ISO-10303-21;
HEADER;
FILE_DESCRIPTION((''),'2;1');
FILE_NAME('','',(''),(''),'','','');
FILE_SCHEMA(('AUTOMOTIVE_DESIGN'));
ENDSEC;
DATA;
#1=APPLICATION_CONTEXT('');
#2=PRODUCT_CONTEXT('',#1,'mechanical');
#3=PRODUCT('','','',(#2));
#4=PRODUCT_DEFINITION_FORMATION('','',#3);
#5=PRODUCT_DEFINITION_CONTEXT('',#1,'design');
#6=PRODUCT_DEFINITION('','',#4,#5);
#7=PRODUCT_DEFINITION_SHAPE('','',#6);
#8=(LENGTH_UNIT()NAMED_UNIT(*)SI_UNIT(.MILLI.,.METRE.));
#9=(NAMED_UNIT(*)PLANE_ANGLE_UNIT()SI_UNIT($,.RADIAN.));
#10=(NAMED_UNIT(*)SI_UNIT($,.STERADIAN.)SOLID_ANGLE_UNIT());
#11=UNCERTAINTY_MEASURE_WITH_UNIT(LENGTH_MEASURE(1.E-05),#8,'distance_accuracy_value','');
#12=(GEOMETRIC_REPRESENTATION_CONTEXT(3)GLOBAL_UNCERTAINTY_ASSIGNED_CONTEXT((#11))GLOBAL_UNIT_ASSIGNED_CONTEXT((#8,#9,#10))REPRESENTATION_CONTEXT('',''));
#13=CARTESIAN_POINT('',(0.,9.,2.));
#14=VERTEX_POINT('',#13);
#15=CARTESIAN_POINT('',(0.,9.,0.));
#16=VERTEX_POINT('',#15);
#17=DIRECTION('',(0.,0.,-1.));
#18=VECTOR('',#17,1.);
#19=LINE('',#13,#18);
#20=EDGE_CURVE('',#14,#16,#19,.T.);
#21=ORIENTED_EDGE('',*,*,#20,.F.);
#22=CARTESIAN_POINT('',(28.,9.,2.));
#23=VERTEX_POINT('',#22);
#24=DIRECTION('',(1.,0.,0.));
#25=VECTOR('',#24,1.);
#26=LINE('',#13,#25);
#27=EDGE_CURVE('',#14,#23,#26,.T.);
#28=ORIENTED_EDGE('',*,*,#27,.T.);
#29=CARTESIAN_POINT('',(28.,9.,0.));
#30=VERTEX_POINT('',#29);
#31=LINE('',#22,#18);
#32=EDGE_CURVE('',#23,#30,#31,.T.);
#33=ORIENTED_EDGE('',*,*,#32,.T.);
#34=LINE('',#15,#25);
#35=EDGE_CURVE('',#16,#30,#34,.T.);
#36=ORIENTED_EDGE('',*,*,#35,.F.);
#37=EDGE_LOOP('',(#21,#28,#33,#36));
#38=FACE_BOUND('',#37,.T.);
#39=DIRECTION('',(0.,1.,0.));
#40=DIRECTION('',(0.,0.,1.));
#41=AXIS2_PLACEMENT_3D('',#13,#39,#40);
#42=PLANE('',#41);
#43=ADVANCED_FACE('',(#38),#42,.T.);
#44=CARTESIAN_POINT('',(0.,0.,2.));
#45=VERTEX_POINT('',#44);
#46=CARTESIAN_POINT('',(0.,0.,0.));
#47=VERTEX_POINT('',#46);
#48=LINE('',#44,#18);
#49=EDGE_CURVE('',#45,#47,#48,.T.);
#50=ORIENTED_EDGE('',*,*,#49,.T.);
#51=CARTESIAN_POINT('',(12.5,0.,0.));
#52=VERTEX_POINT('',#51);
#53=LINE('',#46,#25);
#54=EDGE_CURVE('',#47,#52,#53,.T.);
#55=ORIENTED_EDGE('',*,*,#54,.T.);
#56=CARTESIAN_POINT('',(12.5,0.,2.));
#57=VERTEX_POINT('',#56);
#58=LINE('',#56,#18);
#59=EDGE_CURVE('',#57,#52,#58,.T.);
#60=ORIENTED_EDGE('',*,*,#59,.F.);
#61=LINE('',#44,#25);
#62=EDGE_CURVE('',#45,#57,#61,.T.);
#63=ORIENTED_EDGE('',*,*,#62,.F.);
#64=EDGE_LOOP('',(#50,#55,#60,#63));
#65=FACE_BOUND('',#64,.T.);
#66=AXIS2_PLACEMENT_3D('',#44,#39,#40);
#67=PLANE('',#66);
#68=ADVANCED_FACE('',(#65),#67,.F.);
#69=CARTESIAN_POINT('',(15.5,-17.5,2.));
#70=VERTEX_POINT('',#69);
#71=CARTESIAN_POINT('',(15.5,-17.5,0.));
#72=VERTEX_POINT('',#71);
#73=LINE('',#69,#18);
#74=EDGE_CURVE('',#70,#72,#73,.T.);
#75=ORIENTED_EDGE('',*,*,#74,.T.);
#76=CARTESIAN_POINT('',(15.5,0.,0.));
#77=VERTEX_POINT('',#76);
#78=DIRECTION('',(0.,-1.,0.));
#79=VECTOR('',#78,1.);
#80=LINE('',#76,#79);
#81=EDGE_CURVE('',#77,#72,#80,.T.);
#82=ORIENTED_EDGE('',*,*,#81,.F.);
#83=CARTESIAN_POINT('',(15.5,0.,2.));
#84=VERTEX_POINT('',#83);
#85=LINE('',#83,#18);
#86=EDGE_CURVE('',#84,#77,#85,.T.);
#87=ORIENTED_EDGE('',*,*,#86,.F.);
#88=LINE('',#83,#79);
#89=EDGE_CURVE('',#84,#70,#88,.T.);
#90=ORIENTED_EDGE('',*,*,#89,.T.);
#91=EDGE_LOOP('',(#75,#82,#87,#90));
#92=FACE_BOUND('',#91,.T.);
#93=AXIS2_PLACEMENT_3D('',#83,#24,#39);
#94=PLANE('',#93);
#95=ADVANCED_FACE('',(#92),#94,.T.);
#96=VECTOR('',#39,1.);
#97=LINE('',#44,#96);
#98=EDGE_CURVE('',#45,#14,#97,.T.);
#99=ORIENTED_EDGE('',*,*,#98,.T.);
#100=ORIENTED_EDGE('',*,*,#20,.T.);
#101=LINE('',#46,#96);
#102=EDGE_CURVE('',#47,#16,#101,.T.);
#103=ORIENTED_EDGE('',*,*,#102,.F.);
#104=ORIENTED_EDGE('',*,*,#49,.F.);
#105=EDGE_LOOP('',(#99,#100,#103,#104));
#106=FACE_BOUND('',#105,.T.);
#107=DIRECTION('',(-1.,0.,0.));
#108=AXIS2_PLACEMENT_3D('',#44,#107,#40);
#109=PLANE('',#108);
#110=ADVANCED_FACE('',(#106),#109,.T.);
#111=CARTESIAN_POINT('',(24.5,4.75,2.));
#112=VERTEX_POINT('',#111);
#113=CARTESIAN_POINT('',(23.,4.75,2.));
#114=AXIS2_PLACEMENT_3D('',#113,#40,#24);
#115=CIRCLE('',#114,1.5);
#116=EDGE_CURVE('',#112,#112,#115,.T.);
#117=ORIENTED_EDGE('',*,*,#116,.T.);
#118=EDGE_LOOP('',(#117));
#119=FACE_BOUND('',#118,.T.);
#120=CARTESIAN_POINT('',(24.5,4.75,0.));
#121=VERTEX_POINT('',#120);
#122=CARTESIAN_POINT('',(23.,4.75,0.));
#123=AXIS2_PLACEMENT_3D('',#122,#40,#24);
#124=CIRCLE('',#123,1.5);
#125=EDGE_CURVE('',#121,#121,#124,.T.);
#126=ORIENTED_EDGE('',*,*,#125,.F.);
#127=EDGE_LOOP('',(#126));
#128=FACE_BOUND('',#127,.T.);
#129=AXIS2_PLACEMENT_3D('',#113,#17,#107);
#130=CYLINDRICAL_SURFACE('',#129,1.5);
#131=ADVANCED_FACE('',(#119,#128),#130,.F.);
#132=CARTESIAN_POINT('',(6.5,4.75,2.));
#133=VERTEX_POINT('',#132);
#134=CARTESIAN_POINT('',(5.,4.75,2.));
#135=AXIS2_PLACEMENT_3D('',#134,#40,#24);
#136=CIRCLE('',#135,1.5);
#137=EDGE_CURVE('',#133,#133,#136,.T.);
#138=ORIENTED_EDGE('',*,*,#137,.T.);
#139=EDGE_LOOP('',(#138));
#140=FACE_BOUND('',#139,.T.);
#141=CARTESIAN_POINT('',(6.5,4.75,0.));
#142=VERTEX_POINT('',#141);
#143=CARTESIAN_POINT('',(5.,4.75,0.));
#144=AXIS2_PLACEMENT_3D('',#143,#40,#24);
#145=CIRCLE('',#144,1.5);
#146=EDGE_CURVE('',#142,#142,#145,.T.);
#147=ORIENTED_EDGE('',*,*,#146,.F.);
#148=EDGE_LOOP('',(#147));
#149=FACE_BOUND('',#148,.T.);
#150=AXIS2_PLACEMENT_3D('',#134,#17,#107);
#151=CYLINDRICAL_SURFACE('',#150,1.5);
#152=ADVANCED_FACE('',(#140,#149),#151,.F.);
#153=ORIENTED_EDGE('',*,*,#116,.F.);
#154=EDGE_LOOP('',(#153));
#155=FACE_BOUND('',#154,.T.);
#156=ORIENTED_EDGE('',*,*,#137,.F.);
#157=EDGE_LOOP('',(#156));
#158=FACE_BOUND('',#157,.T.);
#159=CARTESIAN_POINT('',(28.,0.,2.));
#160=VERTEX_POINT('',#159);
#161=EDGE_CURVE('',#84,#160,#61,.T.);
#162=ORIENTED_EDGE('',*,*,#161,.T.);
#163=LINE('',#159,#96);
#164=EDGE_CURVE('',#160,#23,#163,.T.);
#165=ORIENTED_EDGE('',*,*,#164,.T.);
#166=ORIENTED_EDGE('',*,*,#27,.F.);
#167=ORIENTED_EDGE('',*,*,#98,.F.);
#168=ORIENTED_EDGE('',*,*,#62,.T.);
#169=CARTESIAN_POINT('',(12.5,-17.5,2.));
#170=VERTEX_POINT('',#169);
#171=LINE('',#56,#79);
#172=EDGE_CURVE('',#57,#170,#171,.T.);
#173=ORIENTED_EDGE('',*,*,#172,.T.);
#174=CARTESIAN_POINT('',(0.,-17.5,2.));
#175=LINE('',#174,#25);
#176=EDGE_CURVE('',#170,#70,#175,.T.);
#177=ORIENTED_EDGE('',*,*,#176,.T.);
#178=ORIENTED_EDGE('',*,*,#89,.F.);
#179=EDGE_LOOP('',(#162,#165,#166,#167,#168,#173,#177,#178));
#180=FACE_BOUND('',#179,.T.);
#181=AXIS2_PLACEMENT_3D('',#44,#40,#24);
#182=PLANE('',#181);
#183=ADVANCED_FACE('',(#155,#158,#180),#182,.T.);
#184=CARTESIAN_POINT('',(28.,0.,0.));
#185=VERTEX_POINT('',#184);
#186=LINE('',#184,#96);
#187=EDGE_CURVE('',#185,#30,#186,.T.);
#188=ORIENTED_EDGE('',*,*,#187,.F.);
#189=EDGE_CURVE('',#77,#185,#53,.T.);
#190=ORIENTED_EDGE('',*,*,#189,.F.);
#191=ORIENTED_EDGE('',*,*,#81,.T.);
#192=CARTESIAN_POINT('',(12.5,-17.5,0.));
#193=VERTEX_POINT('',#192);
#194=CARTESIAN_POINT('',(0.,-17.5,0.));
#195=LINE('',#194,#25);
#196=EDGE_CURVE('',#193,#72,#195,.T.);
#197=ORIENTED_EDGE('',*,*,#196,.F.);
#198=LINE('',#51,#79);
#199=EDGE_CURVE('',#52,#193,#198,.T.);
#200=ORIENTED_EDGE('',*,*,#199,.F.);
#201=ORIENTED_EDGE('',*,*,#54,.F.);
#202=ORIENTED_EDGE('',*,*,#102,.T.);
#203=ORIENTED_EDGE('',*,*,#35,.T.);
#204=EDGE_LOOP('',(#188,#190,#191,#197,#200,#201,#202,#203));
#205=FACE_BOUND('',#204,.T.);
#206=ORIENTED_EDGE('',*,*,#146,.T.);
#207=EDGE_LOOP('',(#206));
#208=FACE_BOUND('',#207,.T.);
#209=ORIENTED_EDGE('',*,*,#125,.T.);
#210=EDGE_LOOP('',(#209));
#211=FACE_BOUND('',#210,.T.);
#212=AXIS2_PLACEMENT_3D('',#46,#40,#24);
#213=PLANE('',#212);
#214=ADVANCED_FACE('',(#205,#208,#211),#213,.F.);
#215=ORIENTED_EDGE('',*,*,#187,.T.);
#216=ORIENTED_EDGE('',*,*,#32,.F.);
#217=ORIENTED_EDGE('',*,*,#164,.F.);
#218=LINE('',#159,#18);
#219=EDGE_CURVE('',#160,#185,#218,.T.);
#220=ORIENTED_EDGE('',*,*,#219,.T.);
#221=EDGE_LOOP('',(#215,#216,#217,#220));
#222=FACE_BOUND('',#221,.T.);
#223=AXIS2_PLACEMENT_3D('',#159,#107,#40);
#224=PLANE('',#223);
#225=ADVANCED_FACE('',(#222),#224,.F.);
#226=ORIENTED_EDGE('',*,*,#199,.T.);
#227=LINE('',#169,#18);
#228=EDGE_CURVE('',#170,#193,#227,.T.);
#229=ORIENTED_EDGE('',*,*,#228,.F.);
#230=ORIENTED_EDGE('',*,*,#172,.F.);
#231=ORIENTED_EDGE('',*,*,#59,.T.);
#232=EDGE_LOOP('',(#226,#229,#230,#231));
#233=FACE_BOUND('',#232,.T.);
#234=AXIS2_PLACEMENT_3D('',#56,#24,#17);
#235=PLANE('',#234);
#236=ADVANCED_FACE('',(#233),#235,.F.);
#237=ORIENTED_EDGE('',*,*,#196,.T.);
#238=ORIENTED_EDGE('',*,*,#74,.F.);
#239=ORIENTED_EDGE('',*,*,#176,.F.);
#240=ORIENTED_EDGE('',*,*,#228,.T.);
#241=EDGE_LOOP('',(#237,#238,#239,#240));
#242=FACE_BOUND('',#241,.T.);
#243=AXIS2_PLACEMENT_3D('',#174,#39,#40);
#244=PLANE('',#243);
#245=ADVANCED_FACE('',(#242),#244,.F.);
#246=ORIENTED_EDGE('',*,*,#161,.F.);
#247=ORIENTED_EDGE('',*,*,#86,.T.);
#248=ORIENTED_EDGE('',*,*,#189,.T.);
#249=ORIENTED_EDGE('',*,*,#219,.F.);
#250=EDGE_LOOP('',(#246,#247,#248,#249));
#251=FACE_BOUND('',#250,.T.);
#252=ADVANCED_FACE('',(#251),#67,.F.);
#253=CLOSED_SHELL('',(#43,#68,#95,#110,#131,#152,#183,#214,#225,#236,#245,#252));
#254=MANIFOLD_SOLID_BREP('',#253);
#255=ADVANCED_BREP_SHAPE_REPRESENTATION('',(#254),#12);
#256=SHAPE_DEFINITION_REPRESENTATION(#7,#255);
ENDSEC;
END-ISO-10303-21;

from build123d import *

# Parameters (mm, degrees)
SKETCH1_W           = 28
SKETCH1_H           = 9
SKETCH1_R           = 1.5
SKETCH1_W_2         = 3
SKETCH1_H_2         = 17.5
BOSS_EXTRUDE1_DEPTH = 2


with BuildPart() as part:
    # Sketch1 → Boss-Extrude1 (new body)
    with BuildSketch(Plane.XY):
        with Locations((14, 4.5)):
            Rectangle(SKETCH1_W, SKETCH1_H)
        with Locations((5, 4.75)):
            Circle(SKETCH1_R, mode=Mode.SUBTRACT)
        with Locations((23, 4.75)):
            Circle(SKETCH1_R, mode=Mode.SUBTRACT)
        with Locations((14, -8.75)):
            Rectangle(SKETCH1_W_2, SKETCH1_H_2)
    extrude(amount=BOSS_EXTRUDE1_DEPTH)


solid = part.part
